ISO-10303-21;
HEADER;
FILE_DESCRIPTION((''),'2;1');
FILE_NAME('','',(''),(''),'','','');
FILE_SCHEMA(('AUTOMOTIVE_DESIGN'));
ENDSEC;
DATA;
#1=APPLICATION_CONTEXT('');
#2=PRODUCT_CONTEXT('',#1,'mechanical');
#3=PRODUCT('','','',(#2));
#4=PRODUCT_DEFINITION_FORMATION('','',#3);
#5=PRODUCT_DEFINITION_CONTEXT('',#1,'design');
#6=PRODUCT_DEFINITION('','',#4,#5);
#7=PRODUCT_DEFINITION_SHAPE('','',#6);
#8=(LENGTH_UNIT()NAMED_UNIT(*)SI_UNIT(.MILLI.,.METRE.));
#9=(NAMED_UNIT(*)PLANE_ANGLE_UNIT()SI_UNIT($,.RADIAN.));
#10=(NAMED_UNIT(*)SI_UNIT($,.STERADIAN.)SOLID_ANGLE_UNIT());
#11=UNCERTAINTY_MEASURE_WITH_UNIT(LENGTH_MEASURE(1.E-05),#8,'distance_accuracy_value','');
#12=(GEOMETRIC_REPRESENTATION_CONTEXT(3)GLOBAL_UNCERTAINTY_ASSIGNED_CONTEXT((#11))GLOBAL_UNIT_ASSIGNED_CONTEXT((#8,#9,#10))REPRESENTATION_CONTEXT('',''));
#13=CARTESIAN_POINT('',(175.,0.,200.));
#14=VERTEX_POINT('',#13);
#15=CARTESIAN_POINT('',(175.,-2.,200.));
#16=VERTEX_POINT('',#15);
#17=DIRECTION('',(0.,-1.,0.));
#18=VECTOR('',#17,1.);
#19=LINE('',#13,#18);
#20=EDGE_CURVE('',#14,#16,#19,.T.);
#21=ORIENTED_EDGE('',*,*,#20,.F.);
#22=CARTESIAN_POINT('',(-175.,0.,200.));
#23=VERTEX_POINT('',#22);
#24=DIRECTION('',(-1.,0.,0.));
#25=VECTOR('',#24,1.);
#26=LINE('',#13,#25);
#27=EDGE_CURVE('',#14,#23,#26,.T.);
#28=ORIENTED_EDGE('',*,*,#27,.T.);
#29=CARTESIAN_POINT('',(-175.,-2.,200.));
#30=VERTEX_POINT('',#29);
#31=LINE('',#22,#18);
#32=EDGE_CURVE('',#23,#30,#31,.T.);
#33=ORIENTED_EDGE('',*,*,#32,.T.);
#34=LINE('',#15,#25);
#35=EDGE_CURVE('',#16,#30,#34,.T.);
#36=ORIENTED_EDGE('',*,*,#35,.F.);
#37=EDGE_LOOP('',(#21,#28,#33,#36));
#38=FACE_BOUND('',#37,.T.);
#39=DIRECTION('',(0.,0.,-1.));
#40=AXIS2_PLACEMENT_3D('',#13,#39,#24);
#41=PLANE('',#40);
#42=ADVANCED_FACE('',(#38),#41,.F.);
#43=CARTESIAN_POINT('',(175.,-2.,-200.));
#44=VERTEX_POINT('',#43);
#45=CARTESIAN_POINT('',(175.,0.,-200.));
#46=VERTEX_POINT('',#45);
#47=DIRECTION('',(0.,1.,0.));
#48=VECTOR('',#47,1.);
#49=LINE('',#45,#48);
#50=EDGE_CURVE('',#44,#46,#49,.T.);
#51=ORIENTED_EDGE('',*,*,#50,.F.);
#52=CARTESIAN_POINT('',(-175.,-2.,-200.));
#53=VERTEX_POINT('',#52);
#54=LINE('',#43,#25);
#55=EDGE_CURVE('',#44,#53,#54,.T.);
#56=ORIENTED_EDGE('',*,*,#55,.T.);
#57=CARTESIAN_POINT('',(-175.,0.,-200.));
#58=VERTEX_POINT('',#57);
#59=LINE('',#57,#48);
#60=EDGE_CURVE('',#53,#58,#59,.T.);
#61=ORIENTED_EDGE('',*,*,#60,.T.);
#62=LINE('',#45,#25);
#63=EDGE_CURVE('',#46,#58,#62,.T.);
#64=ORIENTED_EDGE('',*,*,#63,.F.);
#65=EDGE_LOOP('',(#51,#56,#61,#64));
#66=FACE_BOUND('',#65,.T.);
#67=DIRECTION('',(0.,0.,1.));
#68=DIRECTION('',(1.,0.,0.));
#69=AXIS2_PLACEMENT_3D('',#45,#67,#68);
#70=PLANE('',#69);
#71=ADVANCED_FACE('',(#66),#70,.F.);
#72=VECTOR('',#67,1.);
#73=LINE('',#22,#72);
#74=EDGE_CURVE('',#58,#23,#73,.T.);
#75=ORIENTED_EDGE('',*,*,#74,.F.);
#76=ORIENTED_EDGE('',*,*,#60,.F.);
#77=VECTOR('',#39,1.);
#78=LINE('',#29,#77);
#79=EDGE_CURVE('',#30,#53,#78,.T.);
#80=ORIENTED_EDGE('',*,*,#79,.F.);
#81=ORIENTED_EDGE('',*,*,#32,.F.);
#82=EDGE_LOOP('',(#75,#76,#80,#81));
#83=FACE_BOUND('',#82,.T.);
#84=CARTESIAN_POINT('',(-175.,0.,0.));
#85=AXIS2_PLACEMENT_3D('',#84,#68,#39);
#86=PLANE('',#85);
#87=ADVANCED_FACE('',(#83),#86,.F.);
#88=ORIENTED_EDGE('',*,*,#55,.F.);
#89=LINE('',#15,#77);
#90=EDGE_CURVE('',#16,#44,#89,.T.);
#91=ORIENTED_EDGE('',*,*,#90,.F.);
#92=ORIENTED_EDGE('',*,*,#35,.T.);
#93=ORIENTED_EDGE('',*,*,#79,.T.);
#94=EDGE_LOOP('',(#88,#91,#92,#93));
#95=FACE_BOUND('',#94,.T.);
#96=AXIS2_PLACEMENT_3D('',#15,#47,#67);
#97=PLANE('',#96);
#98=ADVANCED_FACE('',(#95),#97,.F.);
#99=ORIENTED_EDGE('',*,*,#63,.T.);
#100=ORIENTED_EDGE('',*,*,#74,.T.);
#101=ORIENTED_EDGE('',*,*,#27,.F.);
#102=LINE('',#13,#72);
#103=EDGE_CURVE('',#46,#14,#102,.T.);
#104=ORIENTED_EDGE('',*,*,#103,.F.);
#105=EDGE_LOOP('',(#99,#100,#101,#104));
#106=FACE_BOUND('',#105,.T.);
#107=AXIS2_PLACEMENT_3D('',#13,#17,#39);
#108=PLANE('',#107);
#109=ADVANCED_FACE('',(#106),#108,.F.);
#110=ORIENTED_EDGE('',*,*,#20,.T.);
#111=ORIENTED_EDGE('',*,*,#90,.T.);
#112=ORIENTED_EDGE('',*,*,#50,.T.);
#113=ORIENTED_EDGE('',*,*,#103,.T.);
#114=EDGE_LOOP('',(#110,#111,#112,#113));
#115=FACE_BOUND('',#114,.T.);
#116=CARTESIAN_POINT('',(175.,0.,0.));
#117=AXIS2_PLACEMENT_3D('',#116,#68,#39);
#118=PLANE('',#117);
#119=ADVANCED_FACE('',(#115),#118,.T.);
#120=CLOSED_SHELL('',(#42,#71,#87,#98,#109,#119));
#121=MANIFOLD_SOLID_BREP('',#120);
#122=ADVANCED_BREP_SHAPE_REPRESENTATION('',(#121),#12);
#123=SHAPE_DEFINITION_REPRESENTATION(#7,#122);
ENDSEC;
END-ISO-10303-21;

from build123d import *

# Parameters (mm, degrees)
SKETCH_1_W      = 400
SKETCH_1_H      = 2
EXTRUDE_1_DEPTH = 175


with BuildPart() as part:
    # 草图1 → 凸台-拉伸1 (new body, symmetric)
    with BuildSketch(Plane(origin=(0, 0, 0), x_dir=(0, 0, -1), z_dir=(1, 0, 0))):
        with Locations((0, -1)):
            Rectangle(SKETCH_1_W, SKETCH_1_H)
    extrude(amount=EXTRUDE_1_DEPTH, both=True)


solid = part.part
